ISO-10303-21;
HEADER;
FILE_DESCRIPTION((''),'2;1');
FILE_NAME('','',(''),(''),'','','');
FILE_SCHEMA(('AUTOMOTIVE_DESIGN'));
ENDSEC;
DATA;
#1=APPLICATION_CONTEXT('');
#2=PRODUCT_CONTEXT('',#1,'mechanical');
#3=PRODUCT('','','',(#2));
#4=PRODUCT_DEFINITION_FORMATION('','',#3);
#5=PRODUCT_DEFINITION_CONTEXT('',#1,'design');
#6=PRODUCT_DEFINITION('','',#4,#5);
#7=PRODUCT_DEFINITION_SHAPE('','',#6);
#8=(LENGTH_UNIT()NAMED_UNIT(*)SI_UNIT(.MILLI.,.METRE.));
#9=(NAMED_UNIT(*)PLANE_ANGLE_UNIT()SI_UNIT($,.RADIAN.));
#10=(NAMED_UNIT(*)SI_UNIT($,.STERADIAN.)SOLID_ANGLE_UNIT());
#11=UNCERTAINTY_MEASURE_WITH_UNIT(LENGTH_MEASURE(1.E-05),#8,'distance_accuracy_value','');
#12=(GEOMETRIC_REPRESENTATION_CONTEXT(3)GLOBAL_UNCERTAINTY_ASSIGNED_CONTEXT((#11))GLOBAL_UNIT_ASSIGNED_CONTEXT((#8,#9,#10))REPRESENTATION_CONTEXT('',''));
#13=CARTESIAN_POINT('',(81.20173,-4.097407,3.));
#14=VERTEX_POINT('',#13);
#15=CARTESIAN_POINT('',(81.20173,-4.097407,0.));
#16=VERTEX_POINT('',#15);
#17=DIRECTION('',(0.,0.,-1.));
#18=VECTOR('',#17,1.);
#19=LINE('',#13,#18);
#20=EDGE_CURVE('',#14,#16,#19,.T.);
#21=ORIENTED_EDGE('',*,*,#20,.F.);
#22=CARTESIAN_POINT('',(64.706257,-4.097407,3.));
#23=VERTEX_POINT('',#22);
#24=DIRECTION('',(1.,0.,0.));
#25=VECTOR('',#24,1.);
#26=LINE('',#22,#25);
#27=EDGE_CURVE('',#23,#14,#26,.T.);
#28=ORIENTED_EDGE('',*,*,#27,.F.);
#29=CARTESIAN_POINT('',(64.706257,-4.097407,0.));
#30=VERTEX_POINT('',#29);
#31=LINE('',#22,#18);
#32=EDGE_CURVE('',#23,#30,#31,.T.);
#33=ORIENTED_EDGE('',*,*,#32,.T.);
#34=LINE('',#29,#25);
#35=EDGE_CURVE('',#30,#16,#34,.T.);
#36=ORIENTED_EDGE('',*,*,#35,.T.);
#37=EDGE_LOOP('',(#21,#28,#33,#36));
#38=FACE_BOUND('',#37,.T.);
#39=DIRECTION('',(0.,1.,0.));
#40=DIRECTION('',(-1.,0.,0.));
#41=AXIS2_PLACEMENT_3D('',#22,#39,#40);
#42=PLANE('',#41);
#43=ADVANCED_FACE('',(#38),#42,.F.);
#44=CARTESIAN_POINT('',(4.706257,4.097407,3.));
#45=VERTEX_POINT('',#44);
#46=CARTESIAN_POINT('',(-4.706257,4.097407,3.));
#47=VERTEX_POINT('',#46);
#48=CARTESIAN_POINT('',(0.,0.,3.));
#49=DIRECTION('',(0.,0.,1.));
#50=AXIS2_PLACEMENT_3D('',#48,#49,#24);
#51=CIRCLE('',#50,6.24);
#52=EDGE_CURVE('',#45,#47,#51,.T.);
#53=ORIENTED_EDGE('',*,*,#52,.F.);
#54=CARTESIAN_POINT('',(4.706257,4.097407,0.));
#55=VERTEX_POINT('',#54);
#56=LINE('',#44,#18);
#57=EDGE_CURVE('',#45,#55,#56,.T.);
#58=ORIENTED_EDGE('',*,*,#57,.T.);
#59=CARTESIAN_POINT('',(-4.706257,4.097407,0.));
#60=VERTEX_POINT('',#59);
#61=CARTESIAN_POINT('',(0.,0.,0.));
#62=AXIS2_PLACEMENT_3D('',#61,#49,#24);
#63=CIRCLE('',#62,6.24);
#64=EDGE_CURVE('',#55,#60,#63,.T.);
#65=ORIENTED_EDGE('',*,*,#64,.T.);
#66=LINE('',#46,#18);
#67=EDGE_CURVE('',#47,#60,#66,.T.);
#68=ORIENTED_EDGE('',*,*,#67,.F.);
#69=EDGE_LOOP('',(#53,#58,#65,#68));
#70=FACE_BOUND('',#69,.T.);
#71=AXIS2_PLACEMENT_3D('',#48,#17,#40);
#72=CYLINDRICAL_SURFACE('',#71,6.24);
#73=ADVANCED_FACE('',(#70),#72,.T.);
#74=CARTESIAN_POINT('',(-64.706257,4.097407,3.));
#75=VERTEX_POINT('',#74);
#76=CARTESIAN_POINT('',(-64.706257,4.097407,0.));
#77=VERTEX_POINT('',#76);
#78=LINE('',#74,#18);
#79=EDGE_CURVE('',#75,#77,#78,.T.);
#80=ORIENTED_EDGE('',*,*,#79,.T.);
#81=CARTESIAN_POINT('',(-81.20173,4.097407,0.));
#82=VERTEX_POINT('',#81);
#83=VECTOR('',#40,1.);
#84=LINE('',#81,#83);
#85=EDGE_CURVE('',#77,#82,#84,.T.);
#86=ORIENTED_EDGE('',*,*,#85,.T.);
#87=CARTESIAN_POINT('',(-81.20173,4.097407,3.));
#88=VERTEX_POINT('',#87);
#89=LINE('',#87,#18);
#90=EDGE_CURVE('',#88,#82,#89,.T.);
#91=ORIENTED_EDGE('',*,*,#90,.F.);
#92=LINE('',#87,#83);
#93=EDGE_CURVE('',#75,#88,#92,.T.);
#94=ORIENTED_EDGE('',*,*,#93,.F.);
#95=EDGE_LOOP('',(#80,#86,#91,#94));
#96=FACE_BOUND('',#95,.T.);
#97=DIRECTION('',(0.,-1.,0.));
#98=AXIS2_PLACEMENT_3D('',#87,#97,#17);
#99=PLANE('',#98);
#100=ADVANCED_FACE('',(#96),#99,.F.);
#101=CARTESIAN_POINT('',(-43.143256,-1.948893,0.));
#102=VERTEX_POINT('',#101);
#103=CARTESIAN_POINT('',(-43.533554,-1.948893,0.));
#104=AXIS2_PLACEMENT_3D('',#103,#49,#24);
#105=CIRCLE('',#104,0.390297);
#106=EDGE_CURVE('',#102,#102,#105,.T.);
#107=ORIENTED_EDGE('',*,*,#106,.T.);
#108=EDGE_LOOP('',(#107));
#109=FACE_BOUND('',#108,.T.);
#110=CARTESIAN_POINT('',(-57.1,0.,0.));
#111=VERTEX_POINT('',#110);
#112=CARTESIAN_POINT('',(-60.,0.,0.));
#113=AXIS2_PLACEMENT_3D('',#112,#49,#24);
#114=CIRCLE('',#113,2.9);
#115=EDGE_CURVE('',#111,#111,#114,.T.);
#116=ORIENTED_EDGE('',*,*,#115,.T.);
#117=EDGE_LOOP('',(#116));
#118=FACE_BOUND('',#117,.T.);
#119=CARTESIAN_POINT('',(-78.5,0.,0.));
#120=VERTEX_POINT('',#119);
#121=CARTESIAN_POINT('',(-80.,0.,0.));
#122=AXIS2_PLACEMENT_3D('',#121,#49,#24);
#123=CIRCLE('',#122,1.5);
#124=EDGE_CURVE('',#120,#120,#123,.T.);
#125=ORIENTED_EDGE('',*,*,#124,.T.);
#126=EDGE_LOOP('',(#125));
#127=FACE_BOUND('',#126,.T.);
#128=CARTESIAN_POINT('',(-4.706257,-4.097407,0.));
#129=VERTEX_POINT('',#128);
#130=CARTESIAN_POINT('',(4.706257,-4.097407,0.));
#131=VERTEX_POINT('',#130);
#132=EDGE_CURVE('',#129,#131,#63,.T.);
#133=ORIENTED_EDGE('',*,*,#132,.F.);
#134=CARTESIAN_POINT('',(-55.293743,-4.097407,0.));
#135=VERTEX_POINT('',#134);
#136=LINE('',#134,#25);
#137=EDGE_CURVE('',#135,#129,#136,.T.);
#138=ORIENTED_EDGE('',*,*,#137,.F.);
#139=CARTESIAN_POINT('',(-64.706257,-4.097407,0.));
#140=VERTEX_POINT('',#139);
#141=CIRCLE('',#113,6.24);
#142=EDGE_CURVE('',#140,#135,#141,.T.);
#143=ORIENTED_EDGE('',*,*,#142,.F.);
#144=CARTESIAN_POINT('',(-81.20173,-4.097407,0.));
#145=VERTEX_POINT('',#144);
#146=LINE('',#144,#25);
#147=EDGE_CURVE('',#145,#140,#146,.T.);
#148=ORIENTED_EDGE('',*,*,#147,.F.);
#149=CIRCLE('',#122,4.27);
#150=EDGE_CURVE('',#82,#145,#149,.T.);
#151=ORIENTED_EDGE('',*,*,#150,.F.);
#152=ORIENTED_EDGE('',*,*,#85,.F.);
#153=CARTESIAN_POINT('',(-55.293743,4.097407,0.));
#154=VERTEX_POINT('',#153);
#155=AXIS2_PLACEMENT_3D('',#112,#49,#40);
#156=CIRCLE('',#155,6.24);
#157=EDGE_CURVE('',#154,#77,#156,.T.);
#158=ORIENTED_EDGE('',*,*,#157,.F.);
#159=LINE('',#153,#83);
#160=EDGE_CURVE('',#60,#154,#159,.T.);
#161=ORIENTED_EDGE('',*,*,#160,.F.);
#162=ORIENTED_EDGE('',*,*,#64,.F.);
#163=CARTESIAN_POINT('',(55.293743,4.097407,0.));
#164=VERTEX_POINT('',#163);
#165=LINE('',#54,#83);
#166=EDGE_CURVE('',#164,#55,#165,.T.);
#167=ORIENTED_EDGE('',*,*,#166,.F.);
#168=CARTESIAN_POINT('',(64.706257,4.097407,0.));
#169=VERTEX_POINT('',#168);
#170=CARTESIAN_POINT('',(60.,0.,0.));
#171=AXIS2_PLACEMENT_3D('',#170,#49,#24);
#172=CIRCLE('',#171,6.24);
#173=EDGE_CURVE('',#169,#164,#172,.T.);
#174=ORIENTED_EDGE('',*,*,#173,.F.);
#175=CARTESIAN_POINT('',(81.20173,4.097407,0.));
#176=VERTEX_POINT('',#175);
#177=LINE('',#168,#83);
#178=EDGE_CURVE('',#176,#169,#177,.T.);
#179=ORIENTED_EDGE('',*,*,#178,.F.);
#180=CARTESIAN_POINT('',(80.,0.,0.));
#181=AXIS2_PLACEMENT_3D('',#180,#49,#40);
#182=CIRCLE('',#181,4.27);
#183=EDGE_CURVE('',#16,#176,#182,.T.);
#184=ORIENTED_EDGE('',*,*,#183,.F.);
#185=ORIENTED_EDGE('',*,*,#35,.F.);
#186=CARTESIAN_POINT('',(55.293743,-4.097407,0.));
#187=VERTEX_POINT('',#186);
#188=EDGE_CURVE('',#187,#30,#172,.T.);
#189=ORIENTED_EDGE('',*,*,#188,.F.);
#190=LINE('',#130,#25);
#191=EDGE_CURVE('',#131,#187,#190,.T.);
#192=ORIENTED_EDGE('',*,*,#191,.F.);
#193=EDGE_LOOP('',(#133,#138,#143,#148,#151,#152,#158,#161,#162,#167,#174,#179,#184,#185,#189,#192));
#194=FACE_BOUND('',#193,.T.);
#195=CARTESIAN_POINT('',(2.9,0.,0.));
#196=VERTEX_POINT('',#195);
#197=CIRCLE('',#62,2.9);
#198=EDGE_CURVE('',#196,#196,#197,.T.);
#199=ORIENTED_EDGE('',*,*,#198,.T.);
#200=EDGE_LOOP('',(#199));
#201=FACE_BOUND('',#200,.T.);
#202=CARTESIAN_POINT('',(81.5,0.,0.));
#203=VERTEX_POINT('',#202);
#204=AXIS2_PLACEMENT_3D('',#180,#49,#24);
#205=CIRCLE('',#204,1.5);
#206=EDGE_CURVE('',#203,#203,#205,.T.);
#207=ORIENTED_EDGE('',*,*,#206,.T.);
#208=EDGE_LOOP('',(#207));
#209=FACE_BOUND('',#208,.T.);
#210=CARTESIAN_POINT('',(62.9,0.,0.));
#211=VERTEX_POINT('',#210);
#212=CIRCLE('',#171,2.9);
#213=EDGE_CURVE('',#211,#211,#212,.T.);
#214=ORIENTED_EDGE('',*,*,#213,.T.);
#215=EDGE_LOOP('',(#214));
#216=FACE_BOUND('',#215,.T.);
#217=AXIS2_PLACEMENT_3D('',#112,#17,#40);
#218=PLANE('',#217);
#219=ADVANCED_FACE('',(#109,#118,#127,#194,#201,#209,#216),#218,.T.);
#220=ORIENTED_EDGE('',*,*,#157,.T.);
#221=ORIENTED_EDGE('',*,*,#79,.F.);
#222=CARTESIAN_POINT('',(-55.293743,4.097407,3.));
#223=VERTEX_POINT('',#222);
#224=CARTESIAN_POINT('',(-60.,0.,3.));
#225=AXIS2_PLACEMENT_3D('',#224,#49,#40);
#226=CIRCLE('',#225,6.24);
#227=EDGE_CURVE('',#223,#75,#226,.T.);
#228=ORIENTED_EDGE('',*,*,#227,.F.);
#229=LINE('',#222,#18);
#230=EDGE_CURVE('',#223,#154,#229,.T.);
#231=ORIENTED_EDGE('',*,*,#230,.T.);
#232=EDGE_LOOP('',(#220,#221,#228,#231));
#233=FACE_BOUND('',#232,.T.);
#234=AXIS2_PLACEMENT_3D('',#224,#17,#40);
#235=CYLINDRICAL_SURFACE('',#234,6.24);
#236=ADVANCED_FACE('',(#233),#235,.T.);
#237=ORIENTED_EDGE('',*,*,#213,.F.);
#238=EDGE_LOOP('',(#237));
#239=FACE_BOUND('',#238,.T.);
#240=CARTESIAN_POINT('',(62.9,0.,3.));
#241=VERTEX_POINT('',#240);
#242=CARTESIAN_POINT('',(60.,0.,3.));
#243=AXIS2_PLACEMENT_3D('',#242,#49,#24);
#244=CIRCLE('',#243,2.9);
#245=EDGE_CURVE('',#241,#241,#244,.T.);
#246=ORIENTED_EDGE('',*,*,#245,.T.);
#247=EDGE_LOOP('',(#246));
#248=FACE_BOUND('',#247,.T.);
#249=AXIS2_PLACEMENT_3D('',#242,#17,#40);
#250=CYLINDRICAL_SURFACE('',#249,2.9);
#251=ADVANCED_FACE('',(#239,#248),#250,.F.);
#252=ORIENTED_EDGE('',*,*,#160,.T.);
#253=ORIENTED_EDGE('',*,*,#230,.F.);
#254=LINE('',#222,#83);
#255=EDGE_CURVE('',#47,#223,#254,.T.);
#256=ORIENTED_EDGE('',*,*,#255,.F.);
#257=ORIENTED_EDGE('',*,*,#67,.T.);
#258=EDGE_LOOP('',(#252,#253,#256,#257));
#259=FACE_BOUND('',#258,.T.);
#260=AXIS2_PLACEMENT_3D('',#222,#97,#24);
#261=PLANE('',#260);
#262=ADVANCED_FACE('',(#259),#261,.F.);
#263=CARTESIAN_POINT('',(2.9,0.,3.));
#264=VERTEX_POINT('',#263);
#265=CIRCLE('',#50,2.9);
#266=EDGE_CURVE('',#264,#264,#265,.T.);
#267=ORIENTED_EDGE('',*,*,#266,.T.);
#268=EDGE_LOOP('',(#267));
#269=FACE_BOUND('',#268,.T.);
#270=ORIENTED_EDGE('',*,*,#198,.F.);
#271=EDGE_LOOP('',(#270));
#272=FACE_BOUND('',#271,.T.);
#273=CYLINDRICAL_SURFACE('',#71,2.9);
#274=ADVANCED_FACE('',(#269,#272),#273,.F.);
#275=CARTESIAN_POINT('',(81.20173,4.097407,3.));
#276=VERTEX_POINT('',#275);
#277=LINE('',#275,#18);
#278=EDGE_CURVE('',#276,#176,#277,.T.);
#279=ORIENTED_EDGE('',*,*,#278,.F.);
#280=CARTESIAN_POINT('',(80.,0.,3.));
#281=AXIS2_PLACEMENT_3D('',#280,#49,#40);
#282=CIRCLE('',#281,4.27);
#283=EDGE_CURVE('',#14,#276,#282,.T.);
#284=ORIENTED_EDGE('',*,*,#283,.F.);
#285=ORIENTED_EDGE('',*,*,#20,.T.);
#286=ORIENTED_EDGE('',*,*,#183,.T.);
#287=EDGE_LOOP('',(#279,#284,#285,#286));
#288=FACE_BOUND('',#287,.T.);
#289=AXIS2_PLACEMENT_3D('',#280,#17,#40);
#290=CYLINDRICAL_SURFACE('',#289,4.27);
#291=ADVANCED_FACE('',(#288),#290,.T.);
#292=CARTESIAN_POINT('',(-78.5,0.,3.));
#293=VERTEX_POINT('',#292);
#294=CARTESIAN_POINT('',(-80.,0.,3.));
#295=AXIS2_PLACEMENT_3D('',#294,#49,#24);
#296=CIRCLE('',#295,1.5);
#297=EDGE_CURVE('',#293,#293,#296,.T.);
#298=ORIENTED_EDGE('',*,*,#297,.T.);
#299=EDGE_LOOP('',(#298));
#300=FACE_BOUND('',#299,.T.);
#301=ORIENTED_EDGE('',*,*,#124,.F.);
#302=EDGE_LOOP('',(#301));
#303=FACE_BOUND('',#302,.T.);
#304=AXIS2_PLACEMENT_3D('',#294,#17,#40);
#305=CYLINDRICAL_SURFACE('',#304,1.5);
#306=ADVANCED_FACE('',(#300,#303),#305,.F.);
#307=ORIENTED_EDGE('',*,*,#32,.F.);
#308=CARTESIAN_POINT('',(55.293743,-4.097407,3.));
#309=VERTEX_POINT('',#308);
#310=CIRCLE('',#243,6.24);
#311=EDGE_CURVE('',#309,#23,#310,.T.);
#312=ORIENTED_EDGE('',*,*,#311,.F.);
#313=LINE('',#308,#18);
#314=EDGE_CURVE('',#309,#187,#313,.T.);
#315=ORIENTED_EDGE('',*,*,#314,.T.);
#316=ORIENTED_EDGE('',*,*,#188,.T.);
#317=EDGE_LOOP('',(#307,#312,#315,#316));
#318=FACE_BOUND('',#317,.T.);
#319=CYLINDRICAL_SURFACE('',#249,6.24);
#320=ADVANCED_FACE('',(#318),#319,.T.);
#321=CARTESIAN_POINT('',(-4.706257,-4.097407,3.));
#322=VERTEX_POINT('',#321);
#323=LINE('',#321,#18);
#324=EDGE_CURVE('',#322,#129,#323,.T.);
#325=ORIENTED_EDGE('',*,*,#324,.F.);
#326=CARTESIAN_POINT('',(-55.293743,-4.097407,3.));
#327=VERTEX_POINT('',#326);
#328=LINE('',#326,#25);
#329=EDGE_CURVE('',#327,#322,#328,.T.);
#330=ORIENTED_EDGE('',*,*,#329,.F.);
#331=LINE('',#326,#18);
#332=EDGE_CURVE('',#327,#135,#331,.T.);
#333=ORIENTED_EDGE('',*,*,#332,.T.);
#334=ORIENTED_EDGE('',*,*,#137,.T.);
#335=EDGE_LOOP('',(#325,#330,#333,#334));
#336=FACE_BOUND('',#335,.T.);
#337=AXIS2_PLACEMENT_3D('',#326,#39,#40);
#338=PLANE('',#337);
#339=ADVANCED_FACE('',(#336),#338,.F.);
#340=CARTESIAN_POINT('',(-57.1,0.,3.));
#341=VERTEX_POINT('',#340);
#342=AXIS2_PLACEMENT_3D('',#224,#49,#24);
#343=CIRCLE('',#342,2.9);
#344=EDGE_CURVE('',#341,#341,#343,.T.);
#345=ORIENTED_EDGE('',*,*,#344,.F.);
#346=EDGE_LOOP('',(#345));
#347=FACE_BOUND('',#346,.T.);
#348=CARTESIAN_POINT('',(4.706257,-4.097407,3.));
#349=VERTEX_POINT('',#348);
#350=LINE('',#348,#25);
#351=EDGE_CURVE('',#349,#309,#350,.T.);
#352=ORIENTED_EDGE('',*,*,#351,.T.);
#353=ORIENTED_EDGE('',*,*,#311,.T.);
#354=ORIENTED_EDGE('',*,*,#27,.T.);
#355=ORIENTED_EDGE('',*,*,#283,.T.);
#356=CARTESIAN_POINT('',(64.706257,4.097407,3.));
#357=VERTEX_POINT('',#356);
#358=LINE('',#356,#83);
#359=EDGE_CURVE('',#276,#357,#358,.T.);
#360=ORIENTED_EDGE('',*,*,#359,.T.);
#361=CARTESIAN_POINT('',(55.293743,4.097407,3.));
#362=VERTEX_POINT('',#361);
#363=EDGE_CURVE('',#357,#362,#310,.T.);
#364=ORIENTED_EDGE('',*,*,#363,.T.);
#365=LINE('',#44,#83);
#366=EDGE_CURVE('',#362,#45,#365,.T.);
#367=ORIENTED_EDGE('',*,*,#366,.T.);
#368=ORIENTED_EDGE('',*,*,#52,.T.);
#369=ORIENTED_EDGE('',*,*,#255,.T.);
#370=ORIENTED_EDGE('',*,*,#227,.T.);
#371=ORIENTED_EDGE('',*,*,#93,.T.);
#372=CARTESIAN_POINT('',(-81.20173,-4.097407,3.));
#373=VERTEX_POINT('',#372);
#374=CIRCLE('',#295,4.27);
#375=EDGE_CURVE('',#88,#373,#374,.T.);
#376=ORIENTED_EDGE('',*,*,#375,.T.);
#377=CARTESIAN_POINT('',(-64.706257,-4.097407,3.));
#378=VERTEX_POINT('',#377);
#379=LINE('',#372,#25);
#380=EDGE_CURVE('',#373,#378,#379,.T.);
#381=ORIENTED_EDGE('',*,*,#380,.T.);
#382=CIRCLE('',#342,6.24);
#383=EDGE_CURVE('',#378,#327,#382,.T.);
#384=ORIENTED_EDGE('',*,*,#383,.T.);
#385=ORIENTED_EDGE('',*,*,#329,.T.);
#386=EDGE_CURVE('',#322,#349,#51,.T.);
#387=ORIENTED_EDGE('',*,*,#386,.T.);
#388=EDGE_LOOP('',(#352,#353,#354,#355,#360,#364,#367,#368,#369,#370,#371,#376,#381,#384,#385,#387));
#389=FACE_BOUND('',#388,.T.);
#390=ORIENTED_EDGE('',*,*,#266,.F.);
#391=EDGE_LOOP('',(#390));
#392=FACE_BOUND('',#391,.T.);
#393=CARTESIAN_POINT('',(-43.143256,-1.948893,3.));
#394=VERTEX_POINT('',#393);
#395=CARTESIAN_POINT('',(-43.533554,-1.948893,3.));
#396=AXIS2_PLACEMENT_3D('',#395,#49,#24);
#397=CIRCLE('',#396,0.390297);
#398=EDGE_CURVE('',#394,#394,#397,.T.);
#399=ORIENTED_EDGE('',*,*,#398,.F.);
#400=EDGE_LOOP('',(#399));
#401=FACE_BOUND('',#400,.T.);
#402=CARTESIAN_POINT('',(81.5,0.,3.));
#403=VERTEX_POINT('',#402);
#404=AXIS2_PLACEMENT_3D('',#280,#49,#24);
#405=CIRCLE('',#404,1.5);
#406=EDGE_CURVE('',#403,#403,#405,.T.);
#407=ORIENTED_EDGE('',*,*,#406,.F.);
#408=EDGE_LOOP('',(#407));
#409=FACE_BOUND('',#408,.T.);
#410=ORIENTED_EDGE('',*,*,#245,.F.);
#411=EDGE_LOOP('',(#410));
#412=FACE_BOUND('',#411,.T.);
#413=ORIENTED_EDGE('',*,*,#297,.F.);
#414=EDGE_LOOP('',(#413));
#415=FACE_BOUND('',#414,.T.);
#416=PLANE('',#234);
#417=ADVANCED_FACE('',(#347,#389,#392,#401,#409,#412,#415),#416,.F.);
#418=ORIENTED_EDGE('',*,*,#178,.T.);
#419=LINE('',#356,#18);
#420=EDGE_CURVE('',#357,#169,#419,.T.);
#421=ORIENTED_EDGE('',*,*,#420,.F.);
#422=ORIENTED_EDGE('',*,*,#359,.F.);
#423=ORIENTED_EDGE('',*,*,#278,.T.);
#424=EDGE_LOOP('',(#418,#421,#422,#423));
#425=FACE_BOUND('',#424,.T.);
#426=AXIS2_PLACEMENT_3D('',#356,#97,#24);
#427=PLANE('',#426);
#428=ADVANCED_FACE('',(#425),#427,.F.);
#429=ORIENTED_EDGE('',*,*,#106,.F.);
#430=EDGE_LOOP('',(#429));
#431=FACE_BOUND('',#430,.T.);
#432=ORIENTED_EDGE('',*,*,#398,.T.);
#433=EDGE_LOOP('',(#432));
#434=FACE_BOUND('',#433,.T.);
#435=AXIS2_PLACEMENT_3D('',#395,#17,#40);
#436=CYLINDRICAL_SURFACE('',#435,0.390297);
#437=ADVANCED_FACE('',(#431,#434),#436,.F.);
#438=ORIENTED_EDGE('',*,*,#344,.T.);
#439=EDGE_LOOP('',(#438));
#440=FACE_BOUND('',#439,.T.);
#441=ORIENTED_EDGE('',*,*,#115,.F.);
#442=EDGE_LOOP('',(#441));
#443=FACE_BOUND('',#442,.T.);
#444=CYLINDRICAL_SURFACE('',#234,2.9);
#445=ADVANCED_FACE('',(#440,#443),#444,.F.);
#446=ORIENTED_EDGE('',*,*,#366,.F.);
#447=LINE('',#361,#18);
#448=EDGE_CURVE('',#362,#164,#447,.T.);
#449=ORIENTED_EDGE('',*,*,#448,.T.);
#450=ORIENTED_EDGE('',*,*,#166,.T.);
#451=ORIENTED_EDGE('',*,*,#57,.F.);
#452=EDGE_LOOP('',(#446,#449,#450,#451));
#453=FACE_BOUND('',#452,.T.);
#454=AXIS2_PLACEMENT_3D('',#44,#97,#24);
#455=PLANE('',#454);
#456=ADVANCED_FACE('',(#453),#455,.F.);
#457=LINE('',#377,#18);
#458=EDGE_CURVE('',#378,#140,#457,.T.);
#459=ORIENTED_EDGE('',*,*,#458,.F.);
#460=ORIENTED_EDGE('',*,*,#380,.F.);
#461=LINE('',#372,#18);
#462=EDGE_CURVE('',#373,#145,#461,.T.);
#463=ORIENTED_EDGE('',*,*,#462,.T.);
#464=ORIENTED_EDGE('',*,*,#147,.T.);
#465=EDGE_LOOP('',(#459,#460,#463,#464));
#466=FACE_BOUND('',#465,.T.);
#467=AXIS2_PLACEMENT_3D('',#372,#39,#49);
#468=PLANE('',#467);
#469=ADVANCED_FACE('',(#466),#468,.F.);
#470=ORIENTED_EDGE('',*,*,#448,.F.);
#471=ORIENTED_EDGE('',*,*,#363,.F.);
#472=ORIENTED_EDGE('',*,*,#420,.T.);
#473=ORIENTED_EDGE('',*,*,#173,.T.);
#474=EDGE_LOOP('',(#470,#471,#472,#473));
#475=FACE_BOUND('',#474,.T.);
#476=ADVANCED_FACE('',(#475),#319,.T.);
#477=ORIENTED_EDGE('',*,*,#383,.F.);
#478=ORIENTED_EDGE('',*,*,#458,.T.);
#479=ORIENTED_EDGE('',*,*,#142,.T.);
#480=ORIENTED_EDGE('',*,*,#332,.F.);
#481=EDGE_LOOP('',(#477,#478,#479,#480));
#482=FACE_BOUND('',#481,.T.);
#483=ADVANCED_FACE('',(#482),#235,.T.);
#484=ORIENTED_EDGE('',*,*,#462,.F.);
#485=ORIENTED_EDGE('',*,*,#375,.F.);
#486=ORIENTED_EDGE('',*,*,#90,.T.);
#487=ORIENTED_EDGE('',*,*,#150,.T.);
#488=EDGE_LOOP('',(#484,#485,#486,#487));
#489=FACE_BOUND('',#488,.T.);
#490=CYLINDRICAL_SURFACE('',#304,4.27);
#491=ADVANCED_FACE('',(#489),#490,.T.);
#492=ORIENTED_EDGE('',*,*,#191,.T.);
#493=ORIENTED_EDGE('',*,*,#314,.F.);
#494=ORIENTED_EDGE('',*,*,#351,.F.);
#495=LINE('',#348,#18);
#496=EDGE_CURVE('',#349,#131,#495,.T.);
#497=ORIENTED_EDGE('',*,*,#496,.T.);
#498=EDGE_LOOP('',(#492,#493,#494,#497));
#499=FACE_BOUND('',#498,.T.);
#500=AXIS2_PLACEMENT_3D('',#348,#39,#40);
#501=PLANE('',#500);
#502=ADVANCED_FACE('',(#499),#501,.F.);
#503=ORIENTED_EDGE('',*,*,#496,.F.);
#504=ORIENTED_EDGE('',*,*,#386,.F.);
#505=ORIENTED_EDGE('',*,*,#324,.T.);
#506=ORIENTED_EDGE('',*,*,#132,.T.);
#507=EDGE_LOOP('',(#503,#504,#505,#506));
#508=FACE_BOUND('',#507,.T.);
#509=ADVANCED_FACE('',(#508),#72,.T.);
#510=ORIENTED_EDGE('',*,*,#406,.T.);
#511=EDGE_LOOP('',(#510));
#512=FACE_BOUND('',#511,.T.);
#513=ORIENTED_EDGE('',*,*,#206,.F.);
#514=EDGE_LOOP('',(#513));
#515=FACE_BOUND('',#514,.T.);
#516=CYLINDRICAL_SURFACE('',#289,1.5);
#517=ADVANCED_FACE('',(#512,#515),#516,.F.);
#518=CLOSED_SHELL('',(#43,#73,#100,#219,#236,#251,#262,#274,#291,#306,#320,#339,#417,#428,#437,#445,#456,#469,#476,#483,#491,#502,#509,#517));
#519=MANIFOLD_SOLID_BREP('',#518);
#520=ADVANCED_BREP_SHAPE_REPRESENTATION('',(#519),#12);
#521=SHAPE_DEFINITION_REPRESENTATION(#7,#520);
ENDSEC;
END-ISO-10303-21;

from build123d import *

# Parameters (mm, degrees)
SKETCH1_R           = 2.9
SKETCH1_R_2         = 1.5
SKETCH1_R_3         = 0.390297289
BOSS_EXTRUDE1_DEPTH = 3


with BuildPart() as part:
    # Sketch1 → Boss-Extrude1 (new body)
    with BuildSketch(Plane.XY):
        with BuildLine():
            Line((-81.201730293, 4.097407022), (-64.706257079, 4.097407022))
            ThreePointArc((-64.706257079, 4.097407022), (-60, 6.24), (-55.293742921, 4.097407022))
            Line((-55.293742921, 4.097407022), (-4.706257079, 4.097407022))
            ThreePointArc((-4.706257079, 4.097407022), (0, 6.24), (4.706257079, 4.097407022))
            Line((4.706257079, 4.097407022), (55.293742921, 4.097407022))
            ThreePointArc((55.293742921, 4.097407022), (60, 6.24), (64.706257079, 4.097407022))
            Line((64.706257079, 4.097407022), (81.201730293, 4.097407022))
            ThreePointArc((81.201730293, 4.097407022), (84.27, 0), (81.201730293, -4.097407022))
            Line((81.201730293, -4.097407022), (64.706257079, -4.097407022))
            ThreePointArc((64.706257079, -4.097407022), (60, -6.24), (55.293742921, -4.097407022))
            Line((55.293742921, -4.097407022), (4.706257079, -4.097407022))
            ThreePointArc((4.706257079, -4.097407022), (0, -6.24), (-4.706257079, -4.097407022))
            Line((-4.706257079, -4.097407022), (-55.293742921, -4.097407022))
            ThreePointArc((-55.293742921, -4.097407022), (-60, -6.24), (-64.706257079, -4.097407022))
            Line((-64.706257079, -4.097407022), (-81.201730293, -4.097407022))
            ThreePointArc((-81.201730293, -4.097407022), (-84.27, 0), (-81.201730293, 4.097407022))
        make_face()
        with Locations((-60, 0)):
            Circle(SKETCH1_R, mode=Mode.SUBTRACT)
        Circle(SKETCH1_R, mode=Mode.SUBTRACT)
        with Locations((60, 0)):
            Circle(SKETCH1_R, mode=Mode.SUBTRACT)
        with Locations((80, 0)):
            Circle(SKETCH1_R_2, mode=Mode.SUBTRACT)
        with Locations((-80, 0)):
            Circle(SKETCH1_R_2, mode=Mode.SUBTRACT)
        with Locations((-43.533553558, -1.94889321)):
            Circle(SKETCH1_R_3, mode=Mode.SUBTRACT)
    extrude(amount=BOSS_EXTRUDE1_DEPTH)


solid = part.part
